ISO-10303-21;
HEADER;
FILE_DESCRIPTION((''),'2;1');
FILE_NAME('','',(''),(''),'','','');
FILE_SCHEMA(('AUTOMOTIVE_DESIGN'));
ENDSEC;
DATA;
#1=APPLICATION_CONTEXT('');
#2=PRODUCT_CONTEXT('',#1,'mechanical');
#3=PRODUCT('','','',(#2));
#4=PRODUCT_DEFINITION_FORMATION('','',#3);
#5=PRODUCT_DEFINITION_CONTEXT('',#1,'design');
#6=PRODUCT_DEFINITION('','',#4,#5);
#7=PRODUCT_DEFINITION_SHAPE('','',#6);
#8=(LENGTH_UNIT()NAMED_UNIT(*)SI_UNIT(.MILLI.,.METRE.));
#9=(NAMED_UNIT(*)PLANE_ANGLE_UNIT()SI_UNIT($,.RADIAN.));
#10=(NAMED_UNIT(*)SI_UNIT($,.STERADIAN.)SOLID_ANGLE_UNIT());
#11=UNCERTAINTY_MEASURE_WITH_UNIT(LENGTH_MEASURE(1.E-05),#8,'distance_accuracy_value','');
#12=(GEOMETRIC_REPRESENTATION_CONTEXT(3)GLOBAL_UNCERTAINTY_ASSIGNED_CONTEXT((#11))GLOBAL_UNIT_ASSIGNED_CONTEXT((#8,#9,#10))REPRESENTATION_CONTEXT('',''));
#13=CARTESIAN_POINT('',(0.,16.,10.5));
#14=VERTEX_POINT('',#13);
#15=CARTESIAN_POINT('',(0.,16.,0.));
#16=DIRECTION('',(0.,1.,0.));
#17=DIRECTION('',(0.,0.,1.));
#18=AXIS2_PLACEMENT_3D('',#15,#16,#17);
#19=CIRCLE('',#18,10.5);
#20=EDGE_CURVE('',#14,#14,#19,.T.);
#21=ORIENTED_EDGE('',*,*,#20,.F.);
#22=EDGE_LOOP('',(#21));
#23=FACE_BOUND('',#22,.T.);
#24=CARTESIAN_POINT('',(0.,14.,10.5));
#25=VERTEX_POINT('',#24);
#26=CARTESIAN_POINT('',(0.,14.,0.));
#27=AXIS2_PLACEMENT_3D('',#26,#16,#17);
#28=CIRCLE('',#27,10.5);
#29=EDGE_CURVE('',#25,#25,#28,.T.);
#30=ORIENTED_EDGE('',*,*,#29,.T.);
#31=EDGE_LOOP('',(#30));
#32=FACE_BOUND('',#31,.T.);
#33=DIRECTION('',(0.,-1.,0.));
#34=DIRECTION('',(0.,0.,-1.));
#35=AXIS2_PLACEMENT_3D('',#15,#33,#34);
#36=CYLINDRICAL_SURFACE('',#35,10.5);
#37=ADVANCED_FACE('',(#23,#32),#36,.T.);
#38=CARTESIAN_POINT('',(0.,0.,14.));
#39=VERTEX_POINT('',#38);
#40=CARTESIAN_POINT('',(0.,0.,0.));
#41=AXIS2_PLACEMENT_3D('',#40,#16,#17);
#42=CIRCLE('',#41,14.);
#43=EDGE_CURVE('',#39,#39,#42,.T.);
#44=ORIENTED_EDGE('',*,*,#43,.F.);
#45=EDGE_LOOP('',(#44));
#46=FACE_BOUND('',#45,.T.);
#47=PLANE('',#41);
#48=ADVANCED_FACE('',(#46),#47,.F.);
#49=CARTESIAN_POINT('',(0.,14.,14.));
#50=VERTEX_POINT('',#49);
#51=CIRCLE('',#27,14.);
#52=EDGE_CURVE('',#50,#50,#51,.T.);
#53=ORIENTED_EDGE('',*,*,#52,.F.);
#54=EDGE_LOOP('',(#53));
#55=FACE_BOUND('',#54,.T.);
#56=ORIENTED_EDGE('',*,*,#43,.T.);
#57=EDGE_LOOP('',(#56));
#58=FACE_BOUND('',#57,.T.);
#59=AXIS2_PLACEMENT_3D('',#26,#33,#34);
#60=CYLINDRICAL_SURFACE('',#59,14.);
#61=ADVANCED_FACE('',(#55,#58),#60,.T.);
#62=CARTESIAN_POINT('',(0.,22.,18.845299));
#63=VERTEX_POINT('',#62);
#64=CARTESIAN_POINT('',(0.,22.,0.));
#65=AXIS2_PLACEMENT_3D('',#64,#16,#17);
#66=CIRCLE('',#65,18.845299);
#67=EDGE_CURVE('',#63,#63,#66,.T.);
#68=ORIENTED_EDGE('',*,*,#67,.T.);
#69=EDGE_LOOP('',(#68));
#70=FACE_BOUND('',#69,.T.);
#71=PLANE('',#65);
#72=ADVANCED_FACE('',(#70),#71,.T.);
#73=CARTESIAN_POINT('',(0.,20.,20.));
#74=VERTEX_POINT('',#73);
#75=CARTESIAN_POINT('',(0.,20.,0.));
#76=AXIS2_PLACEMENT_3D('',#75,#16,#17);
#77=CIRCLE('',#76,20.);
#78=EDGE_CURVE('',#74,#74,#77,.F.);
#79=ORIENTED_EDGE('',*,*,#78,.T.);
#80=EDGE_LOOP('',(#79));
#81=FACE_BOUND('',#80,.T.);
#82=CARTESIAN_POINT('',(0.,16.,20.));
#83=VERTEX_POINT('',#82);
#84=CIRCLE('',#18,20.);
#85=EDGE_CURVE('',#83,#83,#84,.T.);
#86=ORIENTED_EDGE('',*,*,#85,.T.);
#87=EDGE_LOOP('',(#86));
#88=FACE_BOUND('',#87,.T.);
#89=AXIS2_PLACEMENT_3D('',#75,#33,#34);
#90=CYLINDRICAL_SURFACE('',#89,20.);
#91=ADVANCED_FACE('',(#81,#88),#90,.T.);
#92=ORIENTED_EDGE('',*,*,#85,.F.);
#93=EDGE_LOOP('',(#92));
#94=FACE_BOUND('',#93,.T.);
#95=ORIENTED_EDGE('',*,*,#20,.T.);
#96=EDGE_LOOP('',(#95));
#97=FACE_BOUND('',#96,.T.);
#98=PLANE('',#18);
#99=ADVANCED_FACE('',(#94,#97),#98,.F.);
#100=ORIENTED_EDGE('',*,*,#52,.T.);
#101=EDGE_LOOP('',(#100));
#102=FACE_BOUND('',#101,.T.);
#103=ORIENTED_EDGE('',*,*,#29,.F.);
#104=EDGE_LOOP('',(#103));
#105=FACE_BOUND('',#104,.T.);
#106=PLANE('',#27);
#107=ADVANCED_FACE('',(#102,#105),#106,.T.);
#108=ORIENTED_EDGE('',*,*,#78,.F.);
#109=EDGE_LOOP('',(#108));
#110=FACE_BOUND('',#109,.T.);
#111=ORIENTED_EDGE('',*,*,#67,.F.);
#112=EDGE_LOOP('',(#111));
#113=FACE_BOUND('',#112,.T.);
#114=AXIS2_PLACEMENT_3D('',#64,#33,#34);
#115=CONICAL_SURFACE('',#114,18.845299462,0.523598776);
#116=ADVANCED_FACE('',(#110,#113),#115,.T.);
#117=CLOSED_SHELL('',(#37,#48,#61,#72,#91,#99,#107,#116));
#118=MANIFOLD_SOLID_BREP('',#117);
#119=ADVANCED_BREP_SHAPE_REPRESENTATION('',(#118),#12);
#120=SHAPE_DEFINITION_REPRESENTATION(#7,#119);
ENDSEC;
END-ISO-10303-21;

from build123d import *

# Parameters (mm, degrees)
ESQUISSE1_R        = 14
BOSS_EXTRU_1_DEPTH = 14
ESQUISSE2_R        = 10.5
BOSS_EXTRU_2_DEPTH = 2
ESQUISSE4_R        = 20
BOSS_EXTRU_3_DEPTH = 4
ESQUISSE5_R        = 20
BOSS_EXTRU_4_DEPTH = 2
CHANFREIN1_SIZE    = 2
CHANFREIN1_SIZE2   = 1.154700538


with BuildPart() as part:
    # Esquisse1 → Boss.-Extru.1 (new body)
    with BuildSketch(Plane(origin=(0, 0, 0), x_dir=(1, 0, 0), z_dir=(0, 1, 0))):
        with Locations(Location((0, 0, 0), (0, 0, 270))):
            Circle(ESQUISSE1_R)
    extrude(amount=BOSS_EXTRU_1_DEPTH)

    # Esquisse2 → Boss.-Extru.2 (add)
    with BuildSketch(Plane(origin=(0, 14, 0), x_dir=(1, 0, 0), z_dir=(0, 1, 0))):
        with Locations(Location((0, 0, 0), (0, 0, 270))):
            Circle(ESQUISSE2_R)
    extrude(amount=BOSS_EXTRU_2_DEPTH)

    # Esquisse4 → Boss.-Extru.3 (add)
    with BuildSketch(Plane(origin=(0, 16, 0), x_dir=(1, 0, 0), z_dir=(0, 1, 0))):
        with Locations(Location((0, 0, 0), (0, 0, 270))):
            Circle(ESQUISSE4_R)
    extrude(amount=BOSS_EXTRU_3_DEPTH)

    # Esquisse5 → Boss.-Extru.4 (add)
    with BuildSketch(Plane(origin=(0, 20, 0), x_dir=(1, 0, 0), z_dir=(0, 1, 0))):
        with Locations(Location((0, 0, 0), (0, 0, 270))):
            Circle(ESQUISSE5_R)
    extrude(amount=BOSS_EXTRU_4_DEPTH)

    # Chanfrein1
    chanfrein1_edges = [part.edges().sort_by_distance(p)[0] for p in [
        (0, 22, -20),
    ]]
    chanfrein1_side = [part.faces().sort_by_distance(p)[0] for p in [
        (0, 19, -20),
    ]]
    chamfer(chanfrein1_edges, length=CHANFREIN1_SIZE, length2=CHANFREIN1_SIZE2, reference=chanfrein1_side[0])


solid = part.part
